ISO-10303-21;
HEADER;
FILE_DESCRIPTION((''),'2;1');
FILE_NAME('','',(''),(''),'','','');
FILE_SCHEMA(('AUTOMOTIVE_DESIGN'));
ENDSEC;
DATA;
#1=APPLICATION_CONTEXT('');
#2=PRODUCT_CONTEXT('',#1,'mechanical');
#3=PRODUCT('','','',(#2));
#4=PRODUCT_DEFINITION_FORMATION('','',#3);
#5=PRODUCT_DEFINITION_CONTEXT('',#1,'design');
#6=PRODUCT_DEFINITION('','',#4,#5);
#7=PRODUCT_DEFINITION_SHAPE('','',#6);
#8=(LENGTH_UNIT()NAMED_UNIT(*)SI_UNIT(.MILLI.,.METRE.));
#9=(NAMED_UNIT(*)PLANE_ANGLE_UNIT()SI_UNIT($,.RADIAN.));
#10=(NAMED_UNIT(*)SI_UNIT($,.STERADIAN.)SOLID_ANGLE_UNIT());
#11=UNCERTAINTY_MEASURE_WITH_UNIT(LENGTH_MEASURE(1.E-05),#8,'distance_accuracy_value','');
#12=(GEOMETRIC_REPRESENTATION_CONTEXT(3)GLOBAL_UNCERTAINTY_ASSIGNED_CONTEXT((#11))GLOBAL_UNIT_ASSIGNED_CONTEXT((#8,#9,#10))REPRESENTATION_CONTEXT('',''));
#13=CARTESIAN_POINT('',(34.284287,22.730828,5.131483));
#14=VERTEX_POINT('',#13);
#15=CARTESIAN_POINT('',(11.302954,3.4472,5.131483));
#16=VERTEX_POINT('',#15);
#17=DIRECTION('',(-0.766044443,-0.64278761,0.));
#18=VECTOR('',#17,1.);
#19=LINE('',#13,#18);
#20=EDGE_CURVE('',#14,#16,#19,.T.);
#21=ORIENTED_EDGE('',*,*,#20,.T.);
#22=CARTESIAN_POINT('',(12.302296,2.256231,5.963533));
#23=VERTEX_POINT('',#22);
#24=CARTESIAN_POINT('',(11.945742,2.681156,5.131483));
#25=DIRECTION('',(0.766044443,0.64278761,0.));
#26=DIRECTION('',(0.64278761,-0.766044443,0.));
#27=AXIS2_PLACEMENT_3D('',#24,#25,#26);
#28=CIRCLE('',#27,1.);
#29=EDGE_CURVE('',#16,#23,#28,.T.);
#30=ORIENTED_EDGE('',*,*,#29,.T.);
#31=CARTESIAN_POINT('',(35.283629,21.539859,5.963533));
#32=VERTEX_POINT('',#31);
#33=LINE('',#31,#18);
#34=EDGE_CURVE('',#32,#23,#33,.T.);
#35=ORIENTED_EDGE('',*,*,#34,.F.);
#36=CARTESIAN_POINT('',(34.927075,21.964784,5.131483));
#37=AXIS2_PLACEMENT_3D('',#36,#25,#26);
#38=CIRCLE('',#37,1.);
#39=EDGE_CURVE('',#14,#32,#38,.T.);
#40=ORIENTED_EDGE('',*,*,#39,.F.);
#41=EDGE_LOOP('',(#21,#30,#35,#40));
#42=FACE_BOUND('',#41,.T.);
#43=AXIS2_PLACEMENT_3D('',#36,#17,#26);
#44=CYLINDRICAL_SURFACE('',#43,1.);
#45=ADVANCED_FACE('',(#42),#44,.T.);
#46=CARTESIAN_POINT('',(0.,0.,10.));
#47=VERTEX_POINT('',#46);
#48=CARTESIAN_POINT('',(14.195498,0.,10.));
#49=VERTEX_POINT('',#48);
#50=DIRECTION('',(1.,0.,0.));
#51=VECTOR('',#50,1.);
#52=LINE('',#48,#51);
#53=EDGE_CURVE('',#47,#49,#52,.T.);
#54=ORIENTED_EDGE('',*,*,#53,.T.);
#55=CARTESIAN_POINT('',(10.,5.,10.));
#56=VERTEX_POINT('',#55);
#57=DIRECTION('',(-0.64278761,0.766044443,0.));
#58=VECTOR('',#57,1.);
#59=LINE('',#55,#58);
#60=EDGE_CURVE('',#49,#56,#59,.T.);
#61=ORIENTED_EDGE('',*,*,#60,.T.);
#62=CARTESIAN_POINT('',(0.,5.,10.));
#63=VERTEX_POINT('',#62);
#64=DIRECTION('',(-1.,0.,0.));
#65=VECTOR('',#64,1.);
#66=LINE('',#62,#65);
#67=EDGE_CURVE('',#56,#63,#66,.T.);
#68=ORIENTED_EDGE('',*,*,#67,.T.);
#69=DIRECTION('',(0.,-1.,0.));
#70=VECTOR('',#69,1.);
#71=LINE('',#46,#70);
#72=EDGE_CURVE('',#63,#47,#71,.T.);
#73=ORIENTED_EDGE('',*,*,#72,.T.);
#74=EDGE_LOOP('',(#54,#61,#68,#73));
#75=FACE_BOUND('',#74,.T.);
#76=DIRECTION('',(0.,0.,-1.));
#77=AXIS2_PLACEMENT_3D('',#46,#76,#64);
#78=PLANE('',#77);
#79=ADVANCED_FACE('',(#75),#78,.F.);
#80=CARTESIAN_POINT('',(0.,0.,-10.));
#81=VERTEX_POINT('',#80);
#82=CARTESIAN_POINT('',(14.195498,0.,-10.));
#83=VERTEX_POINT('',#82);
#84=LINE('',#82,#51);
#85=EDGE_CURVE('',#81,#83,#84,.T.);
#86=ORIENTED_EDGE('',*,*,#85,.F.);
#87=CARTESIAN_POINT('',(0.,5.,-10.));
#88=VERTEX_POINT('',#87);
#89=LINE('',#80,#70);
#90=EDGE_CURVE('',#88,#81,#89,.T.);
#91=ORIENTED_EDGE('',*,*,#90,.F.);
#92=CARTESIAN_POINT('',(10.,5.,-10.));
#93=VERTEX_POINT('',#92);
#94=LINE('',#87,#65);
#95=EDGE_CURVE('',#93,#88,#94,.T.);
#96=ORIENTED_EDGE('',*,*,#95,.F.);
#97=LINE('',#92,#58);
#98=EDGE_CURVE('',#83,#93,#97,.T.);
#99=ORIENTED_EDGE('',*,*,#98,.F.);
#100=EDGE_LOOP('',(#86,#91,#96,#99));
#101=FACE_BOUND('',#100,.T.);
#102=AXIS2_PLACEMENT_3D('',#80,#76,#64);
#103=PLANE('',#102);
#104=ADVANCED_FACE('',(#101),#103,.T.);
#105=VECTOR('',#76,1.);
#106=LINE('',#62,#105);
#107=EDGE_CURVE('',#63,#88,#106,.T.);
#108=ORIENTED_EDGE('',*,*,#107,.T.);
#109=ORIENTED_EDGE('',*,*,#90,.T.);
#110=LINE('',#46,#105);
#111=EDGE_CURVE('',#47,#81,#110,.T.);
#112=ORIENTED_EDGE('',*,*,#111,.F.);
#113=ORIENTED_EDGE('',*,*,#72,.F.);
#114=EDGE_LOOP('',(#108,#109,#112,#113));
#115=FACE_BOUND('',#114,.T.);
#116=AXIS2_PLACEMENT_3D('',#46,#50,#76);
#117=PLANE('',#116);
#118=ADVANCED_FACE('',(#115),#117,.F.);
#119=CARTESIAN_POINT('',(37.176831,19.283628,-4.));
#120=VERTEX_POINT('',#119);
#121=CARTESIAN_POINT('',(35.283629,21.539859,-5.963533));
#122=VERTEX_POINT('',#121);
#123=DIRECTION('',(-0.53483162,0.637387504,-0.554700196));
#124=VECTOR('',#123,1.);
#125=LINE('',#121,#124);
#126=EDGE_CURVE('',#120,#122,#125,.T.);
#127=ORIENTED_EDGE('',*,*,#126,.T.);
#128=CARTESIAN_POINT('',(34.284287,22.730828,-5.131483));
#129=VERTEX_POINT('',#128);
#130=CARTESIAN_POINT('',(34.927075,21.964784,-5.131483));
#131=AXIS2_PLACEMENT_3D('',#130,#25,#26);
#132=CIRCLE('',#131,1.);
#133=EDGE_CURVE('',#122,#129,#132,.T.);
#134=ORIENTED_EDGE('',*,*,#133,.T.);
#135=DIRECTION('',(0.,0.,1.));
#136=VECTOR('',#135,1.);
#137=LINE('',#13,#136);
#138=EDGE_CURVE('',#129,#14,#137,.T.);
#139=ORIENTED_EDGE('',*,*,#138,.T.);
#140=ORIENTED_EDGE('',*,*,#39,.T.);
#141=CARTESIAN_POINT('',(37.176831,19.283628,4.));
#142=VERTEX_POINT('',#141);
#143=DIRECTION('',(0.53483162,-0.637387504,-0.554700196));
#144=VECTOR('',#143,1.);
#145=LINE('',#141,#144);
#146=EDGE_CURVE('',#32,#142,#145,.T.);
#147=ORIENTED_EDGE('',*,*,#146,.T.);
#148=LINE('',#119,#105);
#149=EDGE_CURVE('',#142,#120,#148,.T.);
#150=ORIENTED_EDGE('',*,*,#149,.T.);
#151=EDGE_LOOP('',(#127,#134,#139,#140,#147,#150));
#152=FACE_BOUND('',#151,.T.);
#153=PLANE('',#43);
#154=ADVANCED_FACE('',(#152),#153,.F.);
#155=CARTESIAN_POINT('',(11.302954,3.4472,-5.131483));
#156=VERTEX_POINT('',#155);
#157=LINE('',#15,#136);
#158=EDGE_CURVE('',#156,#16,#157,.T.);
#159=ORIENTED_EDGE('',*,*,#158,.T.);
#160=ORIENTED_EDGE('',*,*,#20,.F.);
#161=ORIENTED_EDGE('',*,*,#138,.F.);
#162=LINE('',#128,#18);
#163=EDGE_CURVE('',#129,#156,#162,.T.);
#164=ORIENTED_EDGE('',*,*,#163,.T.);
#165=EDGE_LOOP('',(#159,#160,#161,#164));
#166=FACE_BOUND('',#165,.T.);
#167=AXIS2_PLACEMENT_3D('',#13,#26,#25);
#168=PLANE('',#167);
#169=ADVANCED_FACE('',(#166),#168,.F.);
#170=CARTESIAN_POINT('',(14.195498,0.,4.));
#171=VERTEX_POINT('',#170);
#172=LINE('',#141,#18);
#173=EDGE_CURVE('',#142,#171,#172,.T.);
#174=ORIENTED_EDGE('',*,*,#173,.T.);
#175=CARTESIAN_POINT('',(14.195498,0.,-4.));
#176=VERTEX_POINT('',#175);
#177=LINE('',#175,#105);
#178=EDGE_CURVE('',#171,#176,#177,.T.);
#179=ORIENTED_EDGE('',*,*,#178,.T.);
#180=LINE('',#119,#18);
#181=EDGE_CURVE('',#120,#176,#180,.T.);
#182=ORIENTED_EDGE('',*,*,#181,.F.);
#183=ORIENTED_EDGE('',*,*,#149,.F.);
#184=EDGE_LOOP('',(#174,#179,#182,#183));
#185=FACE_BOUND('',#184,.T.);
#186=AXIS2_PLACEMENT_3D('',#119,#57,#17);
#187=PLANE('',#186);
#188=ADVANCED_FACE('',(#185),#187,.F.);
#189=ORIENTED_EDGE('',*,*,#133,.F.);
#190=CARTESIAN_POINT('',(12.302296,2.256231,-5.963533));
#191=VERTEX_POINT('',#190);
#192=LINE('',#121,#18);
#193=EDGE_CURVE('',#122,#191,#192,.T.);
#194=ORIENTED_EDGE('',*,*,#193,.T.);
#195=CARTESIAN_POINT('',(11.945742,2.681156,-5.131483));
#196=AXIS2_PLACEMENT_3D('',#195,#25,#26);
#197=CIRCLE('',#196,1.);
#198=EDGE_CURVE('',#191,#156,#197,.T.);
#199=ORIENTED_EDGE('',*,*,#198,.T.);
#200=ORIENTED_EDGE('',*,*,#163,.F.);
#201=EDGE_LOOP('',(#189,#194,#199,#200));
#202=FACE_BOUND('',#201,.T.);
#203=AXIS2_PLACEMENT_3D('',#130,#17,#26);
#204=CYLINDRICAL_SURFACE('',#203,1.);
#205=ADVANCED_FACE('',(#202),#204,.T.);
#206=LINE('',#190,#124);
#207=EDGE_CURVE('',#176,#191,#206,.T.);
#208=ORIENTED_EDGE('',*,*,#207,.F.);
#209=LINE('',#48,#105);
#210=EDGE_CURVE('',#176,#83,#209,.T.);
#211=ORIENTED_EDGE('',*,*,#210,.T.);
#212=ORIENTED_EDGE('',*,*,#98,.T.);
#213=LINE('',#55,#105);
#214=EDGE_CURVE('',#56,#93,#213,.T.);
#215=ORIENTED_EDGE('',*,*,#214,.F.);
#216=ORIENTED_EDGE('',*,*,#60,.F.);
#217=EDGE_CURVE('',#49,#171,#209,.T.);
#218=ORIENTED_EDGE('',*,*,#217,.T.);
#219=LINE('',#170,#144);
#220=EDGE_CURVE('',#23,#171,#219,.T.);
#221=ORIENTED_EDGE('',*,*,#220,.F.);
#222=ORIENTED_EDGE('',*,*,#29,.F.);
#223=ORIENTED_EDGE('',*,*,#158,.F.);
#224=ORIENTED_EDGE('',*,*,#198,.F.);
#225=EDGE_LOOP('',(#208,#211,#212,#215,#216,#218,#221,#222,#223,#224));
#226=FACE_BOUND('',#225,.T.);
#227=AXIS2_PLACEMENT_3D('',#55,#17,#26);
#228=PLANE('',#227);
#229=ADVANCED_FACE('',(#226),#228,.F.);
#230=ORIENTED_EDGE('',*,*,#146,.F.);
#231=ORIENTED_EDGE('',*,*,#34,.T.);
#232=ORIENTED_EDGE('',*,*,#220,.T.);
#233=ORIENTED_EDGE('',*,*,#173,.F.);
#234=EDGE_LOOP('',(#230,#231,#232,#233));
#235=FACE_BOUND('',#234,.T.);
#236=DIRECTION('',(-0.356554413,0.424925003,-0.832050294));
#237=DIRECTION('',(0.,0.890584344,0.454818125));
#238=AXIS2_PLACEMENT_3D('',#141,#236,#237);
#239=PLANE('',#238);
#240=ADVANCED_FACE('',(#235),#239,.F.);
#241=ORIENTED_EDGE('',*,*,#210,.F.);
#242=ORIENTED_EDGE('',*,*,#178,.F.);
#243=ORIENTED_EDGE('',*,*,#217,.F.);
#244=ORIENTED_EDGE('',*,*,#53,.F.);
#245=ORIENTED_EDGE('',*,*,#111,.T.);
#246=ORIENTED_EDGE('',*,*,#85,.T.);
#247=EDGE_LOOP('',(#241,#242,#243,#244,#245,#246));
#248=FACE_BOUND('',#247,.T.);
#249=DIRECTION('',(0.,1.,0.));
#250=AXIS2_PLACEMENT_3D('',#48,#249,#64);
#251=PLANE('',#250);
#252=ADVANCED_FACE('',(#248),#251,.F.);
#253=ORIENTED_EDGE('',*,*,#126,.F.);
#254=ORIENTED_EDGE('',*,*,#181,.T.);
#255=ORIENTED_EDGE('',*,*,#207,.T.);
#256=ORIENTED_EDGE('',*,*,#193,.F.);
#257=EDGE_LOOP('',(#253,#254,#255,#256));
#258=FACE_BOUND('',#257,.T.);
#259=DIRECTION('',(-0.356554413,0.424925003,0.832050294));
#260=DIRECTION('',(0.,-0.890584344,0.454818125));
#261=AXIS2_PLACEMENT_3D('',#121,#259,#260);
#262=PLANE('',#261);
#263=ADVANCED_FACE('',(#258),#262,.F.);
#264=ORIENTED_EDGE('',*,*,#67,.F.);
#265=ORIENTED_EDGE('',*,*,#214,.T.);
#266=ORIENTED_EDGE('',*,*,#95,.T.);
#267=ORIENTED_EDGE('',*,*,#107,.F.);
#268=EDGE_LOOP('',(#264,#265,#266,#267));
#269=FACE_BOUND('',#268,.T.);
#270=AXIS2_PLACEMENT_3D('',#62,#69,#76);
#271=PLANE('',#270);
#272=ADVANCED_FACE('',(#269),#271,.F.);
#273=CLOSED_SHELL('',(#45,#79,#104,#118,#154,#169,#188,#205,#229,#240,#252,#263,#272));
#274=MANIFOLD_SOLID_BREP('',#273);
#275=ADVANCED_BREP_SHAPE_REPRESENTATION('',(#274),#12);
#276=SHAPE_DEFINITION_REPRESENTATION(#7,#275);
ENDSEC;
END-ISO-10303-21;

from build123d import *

# Parameters (mm, degrees)
BOSS_EXTRUDE2_DEPTH = 10
BOSS_EXTRUDE4_DEPTH = 30


with BuildPart() as part:
    # Sketch3 → Boss-Extrude2 (new, symmetric)
    with BuildSketch(Plane.XY):
        Polygon((0, 0), (0, 5), (10, 5), (14.195498156, 0), align=None)
    extrude(amount=BOSS_EXTRUDE2_DEPTH, both=True)

    # Sketch5 → Boss-Extrude4 (add)
    with BuildSketch(Plane(origin=(8.330260271, 6.989918321, 0), x_dir=(0, 0, -1), z_dir=(0.7660444431189745, 0.6427876096865437, 0))):
        with BuildLine():
            Line((-4, -9.124690328), (-5.963533203, -6.179390524))
            ThreePointArc((-5.963533203, -6.179390524), (-6.013157507, -5.152832402), (-5.131482908, -4.624690328))
            Line((-5.131482908, -4.624690328), (5.131482908, -4.624690328))
            ThreePointArc((5.131482908, -4.624690328), (6.013157507, -5.152832402), (5.963533203, -6.179390524))
            Line((5.963533203, -6.179390524), (4, -9.124690328))
            Line((4, -9.124690328), (-4, -9.124690328))
        make_face()
    extrude(amount=BOSS_EXTRUDE4_DEPTH)


solid = part.part
